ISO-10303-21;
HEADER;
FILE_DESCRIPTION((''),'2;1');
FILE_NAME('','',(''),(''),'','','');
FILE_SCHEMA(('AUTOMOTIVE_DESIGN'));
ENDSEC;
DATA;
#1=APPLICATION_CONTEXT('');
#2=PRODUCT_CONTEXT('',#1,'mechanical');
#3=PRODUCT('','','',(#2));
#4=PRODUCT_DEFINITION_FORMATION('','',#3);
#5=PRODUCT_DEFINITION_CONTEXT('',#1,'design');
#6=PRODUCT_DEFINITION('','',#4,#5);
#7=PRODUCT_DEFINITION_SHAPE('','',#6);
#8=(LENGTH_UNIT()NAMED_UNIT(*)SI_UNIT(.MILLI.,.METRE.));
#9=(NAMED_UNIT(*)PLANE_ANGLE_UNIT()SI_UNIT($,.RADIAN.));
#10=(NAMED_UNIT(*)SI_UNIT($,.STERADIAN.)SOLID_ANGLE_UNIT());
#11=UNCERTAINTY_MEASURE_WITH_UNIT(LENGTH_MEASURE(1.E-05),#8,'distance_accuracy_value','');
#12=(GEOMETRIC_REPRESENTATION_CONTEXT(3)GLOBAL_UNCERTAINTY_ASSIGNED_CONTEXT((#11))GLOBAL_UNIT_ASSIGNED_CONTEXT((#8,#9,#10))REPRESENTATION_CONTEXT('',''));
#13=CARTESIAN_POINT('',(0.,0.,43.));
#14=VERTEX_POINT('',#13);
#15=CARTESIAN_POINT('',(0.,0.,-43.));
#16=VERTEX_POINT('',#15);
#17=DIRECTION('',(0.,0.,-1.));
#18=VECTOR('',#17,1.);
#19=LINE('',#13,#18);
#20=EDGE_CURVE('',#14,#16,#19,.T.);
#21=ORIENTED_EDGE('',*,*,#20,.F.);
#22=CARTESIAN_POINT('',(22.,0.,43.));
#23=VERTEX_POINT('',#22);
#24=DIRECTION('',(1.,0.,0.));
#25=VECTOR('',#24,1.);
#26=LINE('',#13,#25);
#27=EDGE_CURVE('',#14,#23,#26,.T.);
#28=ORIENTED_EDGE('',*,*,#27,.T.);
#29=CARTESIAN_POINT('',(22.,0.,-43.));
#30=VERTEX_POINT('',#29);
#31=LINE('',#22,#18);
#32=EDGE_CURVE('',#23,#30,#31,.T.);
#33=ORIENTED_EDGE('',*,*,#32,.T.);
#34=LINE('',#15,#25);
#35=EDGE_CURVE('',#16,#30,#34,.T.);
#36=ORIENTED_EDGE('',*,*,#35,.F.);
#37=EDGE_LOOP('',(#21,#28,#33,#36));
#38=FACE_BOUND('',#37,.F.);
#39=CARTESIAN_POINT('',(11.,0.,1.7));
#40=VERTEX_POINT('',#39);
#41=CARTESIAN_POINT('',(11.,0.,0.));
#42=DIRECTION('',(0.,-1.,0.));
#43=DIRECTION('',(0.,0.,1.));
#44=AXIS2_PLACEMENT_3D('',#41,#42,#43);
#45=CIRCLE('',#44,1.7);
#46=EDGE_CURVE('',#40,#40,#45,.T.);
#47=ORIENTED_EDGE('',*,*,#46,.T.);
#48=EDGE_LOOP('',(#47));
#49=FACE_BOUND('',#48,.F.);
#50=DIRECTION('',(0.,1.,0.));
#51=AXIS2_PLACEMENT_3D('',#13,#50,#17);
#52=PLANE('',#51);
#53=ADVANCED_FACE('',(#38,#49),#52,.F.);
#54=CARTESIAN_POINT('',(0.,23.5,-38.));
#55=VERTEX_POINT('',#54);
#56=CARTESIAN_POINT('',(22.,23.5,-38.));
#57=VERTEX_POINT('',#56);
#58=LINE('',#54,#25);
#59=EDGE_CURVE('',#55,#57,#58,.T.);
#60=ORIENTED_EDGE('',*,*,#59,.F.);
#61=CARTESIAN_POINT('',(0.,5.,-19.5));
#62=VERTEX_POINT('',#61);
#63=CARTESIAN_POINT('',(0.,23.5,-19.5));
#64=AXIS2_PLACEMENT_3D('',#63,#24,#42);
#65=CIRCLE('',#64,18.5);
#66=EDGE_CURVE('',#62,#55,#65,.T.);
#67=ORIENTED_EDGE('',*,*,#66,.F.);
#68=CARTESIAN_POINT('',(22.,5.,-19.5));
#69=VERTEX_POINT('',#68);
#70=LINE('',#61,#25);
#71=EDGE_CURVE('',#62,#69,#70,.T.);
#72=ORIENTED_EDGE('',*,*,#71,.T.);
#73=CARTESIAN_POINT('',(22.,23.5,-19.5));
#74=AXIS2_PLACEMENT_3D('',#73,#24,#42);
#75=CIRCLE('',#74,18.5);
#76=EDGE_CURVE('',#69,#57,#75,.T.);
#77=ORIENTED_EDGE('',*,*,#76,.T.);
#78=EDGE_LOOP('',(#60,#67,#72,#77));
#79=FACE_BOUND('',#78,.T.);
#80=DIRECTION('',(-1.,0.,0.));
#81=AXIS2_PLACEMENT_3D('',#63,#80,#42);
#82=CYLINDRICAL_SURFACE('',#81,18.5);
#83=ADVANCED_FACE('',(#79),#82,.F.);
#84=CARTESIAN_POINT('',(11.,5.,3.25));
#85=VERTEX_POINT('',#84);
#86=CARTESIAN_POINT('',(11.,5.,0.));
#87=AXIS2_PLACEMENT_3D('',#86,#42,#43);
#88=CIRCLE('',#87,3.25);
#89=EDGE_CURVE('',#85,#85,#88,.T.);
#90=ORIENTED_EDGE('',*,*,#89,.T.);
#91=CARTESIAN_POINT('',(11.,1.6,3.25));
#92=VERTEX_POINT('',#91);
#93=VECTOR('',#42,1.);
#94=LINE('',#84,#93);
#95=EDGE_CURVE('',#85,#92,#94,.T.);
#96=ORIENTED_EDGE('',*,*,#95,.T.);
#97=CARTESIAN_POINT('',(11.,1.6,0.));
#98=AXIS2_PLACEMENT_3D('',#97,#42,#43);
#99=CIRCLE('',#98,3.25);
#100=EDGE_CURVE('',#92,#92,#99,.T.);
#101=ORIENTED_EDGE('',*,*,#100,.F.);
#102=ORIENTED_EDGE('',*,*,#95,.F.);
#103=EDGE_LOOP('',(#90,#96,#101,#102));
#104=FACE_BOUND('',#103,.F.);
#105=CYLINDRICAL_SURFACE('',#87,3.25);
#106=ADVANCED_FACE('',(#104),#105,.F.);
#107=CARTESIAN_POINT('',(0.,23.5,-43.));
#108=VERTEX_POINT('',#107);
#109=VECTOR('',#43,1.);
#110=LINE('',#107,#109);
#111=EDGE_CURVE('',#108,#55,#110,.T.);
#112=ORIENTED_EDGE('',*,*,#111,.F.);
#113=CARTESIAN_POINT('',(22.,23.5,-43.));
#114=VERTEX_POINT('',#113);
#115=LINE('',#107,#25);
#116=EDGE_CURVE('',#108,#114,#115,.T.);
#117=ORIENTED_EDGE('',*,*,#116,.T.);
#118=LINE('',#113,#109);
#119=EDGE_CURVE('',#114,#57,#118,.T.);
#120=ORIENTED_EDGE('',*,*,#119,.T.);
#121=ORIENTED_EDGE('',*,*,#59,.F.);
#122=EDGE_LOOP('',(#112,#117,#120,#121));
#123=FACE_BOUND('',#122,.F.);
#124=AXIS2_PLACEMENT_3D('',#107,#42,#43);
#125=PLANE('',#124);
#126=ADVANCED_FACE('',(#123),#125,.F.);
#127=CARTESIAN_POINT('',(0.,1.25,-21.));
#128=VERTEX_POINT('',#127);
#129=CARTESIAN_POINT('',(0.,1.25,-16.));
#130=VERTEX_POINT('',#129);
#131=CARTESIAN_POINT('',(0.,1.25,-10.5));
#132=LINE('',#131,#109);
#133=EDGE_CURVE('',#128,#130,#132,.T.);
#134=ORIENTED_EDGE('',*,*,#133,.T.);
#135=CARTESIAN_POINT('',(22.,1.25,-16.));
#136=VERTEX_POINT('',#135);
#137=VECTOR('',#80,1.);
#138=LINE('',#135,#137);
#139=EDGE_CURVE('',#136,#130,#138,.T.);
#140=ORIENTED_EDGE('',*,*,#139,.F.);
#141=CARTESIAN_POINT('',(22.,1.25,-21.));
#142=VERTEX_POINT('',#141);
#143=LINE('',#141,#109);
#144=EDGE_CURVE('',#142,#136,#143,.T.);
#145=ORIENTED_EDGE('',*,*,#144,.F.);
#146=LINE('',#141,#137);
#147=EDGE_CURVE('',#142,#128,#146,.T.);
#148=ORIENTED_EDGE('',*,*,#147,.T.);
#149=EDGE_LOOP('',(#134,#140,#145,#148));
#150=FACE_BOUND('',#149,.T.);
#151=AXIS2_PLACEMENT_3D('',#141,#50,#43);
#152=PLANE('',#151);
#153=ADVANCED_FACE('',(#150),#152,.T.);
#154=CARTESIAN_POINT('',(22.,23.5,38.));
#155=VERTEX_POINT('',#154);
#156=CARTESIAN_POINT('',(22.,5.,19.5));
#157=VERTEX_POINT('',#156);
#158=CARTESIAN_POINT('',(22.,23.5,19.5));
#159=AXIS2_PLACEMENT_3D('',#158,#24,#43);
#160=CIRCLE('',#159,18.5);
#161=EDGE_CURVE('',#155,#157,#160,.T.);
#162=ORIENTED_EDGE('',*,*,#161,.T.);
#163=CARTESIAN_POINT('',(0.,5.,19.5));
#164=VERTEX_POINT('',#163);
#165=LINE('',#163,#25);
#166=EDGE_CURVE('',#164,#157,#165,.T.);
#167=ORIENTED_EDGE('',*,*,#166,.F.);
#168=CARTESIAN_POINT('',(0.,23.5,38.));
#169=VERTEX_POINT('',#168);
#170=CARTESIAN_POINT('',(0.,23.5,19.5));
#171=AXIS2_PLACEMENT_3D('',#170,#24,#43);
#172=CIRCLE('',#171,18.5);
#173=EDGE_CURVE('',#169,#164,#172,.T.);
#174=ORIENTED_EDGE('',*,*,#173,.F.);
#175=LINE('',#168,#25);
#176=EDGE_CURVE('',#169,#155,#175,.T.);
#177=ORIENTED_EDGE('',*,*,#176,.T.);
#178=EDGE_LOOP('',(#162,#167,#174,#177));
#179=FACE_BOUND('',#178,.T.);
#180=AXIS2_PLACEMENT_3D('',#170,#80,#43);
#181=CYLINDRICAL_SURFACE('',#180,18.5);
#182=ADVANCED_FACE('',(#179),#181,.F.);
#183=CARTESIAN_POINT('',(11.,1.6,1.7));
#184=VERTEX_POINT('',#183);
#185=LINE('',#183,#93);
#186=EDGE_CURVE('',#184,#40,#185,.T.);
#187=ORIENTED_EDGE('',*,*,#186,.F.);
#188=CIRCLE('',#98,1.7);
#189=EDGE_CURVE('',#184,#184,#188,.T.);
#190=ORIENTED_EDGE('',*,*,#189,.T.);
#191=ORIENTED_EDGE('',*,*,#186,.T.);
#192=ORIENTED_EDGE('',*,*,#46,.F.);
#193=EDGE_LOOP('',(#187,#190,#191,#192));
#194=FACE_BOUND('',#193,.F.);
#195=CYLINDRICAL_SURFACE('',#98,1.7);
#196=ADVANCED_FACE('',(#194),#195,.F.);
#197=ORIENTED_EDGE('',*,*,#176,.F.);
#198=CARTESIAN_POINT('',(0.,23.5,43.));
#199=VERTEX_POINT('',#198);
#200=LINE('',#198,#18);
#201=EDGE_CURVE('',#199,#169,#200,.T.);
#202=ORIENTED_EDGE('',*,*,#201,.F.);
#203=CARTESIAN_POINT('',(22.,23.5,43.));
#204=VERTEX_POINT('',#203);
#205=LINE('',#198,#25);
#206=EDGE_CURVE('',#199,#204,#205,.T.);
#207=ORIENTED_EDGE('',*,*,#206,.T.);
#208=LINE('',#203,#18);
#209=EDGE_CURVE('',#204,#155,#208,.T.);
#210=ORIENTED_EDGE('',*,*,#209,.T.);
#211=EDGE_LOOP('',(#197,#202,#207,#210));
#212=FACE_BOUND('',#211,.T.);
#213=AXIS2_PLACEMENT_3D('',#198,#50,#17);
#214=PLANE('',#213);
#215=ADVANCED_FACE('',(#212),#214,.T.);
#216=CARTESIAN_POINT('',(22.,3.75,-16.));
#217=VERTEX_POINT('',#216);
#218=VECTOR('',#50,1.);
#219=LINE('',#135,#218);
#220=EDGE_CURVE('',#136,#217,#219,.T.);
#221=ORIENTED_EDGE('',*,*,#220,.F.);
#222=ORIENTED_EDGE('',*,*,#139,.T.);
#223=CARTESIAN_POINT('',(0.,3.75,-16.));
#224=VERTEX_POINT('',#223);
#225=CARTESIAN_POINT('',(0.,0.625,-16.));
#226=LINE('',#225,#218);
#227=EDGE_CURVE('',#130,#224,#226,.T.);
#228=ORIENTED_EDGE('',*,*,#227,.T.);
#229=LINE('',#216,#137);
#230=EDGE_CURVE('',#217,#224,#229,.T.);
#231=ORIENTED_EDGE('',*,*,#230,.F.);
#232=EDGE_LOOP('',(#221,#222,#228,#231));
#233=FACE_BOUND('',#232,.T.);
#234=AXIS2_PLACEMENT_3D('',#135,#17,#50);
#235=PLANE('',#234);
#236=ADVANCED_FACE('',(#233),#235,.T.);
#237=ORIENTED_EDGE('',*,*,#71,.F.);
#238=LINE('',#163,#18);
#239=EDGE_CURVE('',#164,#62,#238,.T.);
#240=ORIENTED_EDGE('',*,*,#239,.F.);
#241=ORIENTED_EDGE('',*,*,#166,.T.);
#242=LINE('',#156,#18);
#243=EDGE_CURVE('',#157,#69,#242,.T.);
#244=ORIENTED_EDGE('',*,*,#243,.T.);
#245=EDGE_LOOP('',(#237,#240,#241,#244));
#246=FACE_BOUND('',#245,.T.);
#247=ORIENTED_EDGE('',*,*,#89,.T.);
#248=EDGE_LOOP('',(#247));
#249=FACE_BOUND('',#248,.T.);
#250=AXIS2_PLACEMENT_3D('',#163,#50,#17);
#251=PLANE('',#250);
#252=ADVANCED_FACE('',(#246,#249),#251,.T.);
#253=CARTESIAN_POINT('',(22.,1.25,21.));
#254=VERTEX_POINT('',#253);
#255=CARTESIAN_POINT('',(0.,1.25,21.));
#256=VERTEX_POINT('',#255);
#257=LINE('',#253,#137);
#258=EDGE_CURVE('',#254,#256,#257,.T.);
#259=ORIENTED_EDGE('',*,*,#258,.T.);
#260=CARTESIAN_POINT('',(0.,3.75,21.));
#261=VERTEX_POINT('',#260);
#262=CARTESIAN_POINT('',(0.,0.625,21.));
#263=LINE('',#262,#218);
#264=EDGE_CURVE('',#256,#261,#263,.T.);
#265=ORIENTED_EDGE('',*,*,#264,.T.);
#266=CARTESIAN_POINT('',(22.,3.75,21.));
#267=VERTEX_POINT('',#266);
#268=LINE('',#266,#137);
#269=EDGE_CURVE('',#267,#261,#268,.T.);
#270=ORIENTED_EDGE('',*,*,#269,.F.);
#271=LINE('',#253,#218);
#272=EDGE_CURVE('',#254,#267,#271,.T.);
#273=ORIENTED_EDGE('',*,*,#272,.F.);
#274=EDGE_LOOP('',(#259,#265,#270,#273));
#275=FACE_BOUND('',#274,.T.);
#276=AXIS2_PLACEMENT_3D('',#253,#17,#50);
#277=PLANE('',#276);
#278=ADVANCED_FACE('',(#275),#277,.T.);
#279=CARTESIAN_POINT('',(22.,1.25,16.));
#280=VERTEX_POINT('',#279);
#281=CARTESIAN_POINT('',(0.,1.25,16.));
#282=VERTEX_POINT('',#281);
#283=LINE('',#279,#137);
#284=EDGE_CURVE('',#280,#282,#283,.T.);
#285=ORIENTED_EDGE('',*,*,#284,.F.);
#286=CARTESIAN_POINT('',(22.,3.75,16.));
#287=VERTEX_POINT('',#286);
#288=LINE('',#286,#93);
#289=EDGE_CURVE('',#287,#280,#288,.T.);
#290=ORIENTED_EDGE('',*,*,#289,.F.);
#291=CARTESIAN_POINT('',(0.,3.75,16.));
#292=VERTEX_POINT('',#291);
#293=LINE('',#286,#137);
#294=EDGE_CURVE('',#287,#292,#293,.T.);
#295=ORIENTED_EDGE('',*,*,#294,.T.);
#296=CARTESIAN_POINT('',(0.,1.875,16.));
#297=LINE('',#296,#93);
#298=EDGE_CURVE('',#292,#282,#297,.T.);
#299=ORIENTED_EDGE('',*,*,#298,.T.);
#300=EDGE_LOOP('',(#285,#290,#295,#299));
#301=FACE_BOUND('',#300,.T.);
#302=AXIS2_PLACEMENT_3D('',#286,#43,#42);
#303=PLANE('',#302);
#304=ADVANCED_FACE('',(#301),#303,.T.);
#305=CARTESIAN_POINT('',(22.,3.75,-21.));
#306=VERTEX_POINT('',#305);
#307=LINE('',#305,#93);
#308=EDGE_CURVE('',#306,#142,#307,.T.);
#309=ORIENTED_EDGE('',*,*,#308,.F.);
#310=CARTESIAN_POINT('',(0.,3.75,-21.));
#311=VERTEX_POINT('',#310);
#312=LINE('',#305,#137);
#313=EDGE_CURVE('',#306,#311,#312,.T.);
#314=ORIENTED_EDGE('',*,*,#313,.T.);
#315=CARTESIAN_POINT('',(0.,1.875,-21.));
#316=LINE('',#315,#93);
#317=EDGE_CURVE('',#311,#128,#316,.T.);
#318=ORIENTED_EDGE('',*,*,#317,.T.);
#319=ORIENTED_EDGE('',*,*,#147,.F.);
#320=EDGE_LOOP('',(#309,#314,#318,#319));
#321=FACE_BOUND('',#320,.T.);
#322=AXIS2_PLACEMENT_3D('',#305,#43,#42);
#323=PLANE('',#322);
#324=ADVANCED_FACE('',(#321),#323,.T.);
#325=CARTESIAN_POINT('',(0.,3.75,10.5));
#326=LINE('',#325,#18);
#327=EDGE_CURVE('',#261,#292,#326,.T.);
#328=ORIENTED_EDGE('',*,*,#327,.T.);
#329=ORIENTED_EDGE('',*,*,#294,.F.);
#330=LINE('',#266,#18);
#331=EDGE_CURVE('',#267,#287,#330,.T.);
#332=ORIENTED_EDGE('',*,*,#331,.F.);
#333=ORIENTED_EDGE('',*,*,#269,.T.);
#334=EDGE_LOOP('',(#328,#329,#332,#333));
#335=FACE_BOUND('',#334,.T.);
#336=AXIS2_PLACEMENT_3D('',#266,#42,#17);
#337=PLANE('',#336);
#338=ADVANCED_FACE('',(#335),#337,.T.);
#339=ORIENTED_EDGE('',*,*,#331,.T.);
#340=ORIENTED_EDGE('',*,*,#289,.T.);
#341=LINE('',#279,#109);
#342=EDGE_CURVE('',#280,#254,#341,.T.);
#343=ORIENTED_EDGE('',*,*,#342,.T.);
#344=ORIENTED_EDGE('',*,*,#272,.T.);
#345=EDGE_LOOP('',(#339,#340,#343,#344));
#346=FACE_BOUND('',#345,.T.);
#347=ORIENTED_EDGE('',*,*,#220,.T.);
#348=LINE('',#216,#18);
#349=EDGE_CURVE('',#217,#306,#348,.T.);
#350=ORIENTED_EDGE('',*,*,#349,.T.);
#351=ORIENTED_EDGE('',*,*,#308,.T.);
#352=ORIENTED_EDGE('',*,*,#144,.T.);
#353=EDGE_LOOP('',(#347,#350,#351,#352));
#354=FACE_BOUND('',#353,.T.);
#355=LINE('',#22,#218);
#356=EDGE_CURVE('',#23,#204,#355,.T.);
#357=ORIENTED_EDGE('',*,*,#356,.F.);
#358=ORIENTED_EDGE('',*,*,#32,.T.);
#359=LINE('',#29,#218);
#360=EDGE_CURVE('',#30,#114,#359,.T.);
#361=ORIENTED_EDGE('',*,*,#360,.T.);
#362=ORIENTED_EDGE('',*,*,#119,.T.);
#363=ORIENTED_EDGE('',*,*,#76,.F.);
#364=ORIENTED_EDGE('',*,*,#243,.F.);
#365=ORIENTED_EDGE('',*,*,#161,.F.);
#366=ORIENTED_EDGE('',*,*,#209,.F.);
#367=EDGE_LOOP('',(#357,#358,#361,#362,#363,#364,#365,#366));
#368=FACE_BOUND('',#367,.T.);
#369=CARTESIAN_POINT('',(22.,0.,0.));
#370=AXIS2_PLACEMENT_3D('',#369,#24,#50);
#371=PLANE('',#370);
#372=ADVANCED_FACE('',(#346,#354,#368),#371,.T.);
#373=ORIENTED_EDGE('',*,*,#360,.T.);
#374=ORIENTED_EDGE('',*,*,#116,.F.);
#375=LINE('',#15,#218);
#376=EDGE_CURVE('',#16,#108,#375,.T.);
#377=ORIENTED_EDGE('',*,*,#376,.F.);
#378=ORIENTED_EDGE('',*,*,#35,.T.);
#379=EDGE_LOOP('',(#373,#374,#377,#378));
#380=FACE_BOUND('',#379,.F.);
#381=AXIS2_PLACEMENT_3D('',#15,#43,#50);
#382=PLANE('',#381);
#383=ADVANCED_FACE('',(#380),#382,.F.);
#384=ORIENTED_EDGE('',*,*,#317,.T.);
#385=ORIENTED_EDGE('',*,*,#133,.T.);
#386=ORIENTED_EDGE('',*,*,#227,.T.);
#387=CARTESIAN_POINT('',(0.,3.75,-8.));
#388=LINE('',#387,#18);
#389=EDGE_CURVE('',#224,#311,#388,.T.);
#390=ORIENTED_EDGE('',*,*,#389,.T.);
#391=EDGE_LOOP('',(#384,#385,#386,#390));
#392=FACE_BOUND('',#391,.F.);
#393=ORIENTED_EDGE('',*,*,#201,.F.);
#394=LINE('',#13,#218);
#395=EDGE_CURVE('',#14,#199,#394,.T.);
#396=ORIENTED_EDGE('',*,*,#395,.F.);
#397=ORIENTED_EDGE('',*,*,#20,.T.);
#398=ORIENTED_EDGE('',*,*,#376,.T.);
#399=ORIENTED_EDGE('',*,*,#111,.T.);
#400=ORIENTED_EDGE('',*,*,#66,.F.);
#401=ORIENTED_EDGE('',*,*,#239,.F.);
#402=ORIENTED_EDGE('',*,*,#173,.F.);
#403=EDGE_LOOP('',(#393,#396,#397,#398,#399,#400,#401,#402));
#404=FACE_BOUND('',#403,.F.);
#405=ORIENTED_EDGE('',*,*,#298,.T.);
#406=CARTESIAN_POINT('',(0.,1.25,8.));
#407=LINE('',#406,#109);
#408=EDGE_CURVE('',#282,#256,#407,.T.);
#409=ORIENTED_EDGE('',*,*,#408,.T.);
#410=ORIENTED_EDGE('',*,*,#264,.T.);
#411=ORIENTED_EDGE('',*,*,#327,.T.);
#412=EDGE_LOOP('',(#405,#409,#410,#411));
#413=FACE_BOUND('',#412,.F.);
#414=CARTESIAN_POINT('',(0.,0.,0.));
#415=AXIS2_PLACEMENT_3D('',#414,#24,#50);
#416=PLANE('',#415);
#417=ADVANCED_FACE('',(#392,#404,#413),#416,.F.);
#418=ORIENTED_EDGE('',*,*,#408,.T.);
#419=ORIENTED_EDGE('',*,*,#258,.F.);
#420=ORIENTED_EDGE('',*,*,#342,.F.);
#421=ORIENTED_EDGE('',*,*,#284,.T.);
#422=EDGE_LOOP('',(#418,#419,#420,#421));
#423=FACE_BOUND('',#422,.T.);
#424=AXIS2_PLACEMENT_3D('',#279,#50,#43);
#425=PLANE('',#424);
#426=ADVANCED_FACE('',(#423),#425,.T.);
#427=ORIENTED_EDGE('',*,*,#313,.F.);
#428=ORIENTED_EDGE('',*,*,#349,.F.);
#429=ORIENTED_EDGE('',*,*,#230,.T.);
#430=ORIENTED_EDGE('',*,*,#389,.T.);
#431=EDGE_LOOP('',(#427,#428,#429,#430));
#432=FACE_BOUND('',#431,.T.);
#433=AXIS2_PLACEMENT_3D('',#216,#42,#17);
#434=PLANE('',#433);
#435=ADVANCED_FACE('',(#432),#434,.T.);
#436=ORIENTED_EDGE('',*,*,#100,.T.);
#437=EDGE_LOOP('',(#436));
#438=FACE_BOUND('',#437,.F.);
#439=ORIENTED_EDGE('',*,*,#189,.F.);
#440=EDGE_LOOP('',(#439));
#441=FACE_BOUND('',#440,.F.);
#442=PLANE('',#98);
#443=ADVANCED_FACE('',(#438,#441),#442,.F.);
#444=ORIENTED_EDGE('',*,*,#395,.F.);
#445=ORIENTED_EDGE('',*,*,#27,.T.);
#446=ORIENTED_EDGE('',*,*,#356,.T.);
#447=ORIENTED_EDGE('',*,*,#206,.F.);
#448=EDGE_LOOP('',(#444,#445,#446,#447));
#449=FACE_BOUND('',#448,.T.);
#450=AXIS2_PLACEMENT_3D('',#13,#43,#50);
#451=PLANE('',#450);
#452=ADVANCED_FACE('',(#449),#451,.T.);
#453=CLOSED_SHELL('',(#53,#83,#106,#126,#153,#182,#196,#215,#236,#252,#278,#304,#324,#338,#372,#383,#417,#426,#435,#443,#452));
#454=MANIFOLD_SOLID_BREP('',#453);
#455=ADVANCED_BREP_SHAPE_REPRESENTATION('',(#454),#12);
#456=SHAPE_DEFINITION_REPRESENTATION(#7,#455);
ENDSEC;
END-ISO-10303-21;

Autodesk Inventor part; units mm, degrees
ref_plane "YZ Plane" through (0, 0, 0) normal (1, 0, 0) x (0, 1, 0)
ref_plane "XZ Plane" through (0, 0, 0) normal (0, 1, 0) x (-1, 0, 0)
ref_plane "XY Plane" through (0, 0, 0) normal (0, 0, 1) x (1, 0, 0)
sketch "Sketch2" plane through (0, 0, 0) normal (1, 0, 0) x (0, 1, 0)
  line L0 (0, 43) -> (0, -43)
  line L1 (0, -43) -> (23.5, -43)
  line L2 (23.5, -43) -> (23.5, -38)
  arc A0 (5, -19.5) -> (23.5, -38) centre (23.5, -19.5) ccw
  line L3 (0, 43) -> (23.5, 43)
  line L4 (23.5, 43) -> (23.5, 38)
  arc A1 (23.5, 38) -> (5, 19.5) centre (23.5, 19.5) ccw
  line L5 (5, 19.5) -> (5, -19.5)
  point P0 (0, 0)
  point P1 (0, 0)
  point P2 (5, 0)
  dimension "d0" = 18.5
  dimension "d1" = 39
  dimension "d2" = 5
  dimension "d3" = 5
extrude "Extrusion1" add sketch "Sketch2" along normal blind 22
sketch "Sketch3" plane through (0, 5, 19.5) normal (0, 1, 0) x (1, 0, 0)
  line L0 (0, 39) -> (0, 0) projected
  line L1 (0, -23.5) -> (22, -23.5) projected
  point P0 (0, 19.5)
  point P1 (11, 19.5)
  point P2 (0, 19.5)
  point P3 (11, -23.5)
hole "Hole1" at (11, 5, 0) direction (0, -1, 0) diameter 3.4 end through all counterbore diameter 6.5 counterbore depth 3.4 clearance for "Socket Head Cap Screw DIN EN ISO 4762" size "M3" standard "DIN"
sketch "Sketch4" plane through (22, 0, 0) normal (1, 0, 0) x (0, 0, -1)
  line L0 (-21, 3.75) -> (-16, 3.75)
  line L1 (-16, 3.75) -> (-16, 1.25)
  line L2 (-16, 1.25) -> (-21, 1.25)
  line L3 (-21, 1.25) -> (-21, 3.75)
  line L4 (16, 3.75) -> (21, 3.75)
  line L5 (21, 3.75) -> (21, 1.25)
  line L6 (21, 1.25) -> (16, 1.25)
  line L7 (16, 1.25) -> (16, 3.75)
  line L8 (-16, 3.75) -> (16, 3.75) construction
  line L9 (-43, 0) -> (43, 0) projected
  line L10 (-3.25, 5) -> (3.25, 5) projected
  line L11 (0, 5) -> (0, 0) construction
  point P0 (0, 0)
  point P1 (0, 3.75)
  point P2 (-16, 2.5)
  point P3 (0, 2.5)
  dimension "d13" = 32
  dimension "d14" = 5
  dimension "d15" = 2.5
extrude "Extrusion2" cut sketch "Sketch4" against normal through all
properties part number "CT_Holder"
